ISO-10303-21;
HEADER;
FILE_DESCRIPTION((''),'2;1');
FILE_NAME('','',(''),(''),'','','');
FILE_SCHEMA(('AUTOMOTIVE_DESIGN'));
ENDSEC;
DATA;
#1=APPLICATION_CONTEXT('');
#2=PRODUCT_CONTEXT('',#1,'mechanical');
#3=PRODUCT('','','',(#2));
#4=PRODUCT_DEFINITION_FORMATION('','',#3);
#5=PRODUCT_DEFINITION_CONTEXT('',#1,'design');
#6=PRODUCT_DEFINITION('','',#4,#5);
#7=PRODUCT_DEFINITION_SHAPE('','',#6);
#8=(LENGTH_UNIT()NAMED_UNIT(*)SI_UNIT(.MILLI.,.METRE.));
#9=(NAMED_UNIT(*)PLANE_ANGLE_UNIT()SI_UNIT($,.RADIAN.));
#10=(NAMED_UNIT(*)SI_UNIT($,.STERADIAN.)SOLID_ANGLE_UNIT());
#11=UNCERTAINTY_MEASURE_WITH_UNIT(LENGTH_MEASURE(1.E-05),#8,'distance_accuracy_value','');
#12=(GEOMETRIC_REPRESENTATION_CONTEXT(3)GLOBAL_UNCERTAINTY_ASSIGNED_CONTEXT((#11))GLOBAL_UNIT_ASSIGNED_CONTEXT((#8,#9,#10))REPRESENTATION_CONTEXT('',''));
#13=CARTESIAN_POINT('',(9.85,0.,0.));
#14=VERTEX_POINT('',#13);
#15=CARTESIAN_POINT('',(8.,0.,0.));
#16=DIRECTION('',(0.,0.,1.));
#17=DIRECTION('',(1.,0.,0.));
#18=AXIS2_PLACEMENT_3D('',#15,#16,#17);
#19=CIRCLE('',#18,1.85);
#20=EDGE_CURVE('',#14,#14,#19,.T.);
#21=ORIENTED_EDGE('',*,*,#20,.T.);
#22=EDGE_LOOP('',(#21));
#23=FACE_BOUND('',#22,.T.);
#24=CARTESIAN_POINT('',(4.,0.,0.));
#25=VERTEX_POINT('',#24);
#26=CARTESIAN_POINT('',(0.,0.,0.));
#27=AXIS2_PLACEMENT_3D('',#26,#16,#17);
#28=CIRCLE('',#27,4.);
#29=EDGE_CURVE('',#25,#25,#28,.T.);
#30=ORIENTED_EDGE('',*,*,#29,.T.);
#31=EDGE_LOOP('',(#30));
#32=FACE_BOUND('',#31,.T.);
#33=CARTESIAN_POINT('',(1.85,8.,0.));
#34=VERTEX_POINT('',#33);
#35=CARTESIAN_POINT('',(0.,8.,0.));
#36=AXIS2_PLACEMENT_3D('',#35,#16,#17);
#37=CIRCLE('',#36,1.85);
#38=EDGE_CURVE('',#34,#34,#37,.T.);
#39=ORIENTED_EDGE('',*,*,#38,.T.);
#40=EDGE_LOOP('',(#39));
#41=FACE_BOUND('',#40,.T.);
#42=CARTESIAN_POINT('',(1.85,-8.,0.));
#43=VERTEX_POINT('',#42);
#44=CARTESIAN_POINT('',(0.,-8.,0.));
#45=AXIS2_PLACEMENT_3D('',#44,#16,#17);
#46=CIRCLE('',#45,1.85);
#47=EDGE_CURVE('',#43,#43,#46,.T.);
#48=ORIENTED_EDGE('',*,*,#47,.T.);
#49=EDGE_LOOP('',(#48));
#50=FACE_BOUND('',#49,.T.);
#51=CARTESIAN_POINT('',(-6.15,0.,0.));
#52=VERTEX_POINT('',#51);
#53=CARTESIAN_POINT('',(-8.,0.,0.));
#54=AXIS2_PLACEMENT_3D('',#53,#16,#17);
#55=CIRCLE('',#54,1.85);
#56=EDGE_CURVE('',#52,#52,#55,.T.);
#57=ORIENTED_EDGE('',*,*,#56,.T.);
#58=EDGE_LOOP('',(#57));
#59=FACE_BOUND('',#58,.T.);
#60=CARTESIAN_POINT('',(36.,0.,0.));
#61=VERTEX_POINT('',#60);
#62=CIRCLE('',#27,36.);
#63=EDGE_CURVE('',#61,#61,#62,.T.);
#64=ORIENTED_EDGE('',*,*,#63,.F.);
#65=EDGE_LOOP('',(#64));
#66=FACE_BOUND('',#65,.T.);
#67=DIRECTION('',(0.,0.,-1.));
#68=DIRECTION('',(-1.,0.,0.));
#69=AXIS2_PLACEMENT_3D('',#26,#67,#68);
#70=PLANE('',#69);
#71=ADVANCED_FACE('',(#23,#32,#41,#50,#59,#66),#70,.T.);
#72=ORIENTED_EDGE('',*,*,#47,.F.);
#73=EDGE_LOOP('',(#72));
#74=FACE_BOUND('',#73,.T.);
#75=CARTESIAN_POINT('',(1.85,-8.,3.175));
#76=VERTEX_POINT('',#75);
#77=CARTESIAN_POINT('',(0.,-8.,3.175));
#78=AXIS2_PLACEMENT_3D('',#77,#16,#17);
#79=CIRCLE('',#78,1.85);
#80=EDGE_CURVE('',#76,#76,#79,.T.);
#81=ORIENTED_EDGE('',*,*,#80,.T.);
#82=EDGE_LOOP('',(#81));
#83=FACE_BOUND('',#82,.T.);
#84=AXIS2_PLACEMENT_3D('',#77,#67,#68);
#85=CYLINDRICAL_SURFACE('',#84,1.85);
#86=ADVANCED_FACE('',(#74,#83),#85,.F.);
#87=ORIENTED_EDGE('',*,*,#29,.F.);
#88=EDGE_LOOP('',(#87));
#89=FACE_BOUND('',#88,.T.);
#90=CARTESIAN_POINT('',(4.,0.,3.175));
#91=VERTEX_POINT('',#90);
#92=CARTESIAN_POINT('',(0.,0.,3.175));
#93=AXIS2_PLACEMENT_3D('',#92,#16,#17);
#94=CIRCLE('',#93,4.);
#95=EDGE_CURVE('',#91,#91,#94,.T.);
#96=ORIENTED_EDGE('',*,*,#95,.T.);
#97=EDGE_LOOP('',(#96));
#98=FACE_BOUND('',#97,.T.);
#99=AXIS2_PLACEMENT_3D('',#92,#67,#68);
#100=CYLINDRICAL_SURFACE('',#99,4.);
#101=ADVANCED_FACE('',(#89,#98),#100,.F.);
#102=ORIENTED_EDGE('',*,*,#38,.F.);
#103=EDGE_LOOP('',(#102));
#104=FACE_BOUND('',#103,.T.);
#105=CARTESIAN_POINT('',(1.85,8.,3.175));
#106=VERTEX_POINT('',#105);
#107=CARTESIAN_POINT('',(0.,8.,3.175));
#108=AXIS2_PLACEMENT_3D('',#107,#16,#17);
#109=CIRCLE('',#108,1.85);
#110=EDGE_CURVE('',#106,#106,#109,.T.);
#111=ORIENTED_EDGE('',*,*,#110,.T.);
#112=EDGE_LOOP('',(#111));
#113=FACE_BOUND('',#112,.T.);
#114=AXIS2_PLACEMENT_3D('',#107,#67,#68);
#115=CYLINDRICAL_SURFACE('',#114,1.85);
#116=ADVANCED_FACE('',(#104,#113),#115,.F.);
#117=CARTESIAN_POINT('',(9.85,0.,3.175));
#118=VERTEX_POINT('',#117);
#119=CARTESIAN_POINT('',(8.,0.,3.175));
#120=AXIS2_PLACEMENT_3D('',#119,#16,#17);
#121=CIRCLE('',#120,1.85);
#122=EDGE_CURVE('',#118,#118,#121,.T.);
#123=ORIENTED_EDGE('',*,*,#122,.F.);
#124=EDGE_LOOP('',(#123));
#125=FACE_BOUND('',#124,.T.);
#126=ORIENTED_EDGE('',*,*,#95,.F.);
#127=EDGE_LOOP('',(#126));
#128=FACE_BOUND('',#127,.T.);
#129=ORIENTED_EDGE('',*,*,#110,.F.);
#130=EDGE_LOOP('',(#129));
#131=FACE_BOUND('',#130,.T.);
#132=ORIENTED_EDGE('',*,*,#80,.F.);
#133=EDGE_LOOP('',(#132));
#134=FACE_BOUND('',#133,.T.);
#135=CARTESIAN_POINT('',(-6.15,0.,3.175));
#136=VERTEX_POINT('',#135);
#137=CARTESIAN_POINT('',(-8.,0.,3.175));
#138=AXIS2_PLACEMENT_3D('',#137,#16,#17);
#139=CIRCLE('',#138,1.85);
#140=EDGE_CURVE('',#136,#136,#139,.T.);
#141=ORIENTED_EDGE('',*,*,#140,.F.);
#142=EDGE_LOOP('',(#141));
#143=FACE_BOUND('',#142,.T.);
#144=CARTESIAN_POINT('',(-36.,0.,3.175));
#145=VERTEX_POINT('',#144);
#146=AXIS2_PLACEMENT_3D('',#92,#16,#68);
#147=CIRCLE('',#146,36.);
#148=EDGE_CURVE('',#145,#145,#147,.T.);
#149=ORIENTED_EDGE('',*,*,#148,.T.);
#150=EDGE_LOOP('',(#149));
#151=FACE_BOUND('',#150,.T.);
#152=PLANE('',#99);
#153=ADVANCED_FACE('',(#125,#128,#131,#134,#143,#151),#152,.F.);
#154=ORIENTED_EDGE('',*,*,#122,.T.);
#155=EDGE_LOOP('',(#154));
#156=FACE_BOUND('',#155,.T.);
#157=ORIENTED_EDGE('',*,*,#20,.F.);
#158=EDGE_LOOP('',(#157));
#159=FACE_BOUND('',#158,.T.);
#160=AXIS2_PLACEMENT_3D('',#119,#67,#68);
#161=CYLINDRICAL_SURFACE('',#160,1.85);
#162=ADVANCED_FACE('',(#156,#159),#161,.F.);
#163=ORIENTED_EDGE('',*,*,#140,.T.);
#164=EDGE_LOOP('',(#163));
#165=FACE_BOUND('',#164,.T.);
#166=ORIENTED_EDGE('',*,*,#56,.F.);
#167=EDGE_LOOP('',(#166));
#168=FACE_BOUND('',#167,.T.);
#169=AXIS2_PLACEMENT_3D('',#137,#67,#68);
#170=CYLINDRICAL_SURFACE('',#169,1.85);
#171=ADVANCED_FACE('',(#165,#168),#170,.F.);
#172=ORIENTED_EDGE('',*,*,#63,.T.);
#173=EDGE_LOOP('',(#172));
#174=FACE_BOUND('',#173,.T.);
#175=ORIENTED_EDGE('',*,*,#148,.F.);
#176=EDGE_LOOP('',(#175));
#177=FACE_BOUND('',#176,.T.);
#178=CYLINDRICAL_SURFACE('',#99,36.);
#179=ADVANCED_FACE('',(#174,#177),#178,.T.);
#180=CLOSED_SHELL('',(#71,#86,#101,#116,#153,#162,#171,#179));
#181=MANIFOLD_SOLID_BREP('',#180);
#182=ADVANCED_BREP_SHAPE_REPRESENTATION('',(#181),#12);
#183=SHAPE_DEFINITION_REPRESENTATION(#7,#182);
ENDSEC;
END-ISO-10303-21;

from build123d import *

# Parameters (mm, degrees)
SKETCH1_R           = 4
SKETCH1_R_2         = 1.85
BOSS_EXTRUDE1_DEPTH = 3.175


with BuildPart() as part:
    # Sketch1 → Boss-Extrude1 (new body)
    with BuildSketch(Plane.XY):
        with BuildLine():
            ThreePointArc((-36, 0), (0, -36), (36, 0))
            ThreePointArc((36, 0), (0, 36), (-36, 0))
        make_face()
        Circle(SKETCH1_R, mode=Mode.SUBTRACT)
        with Locations((-8, 0)):
            Circle(SKETCH1_R_2, mode=Mode.SUBTRACT)
        with Locations((0, -8)):
            Circle(SKETCH1_R_2, mode=Mode.SUBTRACT)
        with Locations((0, 8)):
            Circle(SKETCH1_R_2, mode=Mode.SUBTRACT)
        with Locations((8, 0)):
            Circle(SKETCH1_R_2, mode=Mode.SUBTRACT)
    extrude(amount=BOSS_EXTRUDE1_DEPTH)


solid = part.part
